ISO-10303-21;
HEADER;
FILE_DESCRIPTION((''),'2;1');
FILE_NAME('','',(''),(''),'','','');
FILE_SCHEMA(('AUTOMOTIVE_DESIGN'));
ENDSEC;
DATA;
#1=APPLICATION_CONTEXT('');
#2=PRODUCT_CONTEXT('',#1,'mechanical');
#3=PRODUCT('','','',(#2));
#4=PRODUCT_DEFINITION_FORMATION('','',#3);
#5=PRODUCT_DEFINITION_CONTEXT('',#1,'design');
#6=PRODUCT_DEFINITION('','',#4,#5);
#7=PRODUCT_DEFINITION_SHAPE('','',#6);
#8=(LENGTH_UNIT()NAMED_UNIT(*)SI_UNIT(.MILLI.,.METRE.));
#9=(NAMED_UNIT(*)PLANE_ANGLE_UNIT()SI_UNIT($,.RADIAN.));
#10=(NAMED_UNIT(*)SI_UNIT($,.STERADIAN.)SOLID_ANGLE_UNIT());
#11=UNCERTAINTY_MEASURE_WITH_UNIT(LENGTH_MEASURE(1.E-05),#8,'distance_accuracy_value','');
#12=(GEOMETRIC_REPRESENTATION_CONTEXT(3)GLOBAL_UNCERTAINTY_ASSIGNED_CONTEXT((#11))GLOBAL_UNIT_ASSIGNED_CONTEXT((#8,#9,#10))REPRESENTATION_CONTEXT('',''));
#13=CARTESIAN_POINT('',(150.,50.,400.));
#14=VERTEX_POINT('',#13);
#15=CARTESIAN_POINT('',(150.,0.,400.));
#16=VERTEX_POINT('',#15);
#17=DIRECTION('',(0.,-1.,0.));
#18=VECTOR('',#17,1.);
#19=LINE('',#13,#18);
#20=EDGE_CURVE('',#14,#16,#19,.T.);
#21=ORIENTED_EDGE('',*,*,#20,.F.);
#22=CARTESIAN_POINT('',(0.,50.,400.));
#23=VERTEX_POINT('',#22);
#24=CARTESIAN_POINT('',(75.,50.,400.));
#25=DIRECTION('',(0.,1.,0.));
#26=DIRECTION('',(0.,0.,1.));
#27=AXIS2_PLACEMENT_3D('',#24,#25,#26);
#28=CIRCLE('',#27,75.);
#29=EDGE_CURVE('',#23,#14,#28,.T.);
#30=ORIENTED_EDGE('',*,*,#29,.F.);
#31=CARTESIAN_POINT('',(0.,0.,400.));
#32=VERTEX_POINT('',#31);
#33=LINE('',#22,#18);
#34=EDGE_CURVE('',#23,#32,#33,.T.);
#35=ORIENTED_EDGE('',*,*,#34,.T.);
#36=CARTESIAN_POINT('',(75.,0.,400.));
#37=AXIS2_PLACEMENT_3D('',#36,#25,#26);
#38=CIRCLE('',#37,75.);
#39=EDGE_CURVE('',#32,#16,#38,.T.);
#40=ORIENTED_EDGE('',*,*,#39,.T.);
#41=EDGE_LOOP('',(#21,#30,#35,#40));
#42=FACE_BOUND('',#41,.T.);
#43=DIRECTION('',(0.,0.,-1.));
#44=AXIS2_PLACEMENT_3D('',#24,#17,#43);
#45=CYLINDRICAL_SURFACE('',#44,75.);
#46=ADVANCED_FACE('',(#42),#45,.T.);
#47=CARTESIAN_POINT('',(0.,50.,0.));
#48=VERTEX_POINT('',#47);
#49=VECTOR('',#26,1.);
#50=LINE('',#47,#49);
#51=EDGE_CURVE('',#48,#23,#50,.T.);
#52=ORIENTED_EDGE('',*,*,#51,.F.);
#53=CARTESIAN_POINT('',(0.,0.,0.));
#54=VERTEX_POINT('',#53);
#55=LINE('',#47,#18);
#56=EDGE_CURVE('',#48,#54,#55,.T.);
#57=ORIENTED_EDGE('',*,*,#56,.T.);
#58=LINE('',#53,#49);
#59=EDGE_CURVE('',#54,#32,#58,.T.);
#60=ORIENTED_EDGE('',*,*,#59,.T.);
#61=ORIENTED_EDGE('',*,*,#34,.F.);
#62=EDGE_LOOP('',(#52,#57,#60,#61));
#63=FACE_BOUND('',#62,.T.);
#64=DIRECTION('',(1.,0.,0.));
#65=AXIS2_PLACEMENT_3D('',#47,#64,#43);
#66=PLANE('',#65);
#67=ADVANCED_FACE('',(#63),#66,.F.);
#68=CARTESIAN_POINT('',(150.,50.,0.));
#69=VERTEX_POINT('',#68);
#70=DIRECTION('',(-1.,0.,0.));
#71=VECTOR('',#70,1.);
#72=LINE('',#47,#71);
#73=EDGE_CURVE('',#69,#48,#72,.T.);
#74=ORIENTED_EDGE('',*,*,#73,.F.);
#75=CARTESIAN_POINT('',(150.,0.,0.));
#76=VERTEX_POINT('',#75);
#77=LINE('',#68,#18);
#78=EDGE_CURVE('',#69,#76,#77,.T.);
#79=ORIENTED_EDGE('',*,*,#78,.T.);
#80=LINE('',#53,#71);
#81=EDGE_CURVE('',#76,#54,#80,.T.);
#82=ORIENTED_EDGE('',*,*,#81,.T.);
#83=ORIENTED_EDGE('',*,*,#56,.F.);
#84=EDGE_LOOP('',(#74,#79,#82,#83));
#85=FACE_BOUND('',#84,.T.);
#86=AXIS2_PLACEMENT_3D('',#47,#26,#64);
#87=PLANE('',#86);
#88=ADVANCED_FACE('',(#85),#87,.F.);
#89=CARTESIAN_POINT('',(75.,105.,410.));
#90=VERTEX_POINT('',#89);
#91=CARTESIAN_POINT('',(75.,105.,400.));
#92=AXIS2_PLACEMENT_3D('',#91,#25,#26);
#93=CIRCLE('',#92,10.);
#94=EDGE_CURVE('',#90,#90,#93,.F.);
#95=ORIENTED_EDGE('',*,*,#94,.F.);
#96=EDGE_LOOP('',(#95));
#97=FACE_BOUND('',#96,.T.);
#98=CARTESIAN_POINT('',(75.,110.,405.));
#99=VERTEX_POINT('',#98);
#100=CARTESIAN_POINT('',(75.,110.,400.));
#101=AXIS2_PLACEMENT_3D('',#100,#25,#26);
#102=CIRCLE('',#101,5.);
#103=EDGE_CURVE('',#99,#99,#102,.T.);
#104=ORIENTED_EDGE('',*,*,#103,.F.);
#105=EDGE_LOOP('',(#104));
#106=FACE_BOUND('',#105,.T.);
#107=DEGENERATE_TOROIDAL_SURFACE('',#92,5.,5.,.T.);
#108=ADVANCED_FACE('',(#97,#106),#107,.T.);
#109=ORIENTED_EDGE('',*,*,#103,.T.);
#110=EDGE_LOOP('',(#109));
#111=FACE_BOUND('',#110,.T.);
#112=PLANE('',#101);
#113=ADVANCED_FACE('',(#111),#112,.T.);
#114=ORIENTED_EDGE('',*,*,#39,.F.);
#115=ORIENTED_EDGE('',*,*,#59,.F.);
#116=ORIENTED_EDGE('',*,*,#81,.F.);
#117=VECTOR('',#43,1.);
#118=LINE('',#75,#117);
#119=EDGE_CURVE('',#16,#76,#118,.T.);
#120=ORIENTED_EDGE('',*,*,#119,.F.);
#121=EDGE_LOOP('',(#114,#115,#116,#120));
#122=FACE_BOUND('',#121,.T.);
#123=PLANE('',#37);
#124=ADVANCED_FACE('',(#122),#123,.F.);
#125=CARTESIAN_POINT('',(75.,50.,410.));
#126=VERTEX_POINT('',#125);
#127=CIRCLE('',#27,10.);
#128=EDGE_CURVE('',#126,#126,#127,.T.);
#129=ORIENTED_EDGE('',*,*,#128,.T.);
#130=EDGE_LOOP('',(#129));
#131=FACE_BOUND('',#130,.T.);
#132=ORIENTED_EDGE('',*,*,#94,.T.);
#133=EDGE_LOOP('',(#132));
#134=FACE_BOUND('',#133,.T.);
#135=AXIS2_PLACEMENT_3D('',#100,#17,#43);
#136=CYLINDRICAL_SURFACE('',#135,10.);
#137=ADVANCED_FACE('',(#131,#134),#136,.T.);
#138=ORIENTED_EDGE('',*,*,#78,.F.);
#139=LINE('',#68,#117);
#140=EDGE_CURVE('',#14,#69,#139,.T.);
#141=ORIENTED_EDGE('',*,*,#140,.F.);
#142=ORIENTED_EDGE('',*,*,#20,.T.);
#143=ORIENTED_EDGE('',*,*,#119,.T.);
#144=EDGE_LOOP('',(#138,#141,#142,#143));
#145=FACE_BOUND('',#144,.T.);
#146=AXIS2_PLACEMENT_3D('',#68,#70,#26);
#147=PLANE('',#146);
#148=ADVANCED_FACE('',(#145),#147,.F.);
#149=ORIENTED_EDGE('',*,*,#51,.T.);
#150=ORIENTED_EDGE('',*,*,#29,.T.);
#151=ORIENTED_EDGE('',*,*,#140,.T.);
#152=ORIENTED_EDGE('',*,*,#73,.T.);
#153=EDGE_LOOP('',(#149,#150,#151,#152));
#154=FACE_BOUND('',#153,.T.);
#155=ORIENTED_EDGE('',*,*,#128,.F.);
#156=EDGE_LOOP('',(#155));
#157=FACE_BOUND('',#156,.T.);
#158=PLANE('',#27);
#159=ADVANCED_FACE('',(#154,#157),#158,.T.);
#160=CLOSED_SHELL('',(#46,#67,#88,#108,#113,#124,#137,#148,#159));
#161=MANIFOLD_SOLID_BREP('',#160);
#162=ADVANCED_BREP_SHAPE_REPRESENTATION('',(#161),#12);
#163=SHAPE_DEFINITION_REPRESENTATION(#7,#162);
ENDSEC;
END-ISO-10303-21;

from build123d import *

# Parameters (mm, degrees)
EXTRUDE_1_DEPTH = 50
SKETCH_2_R      = 10
EXTRUDE_2_DEPTH = 60
FILLET_1_R      = 5


with BuildPart() as part:
    # 草图1 → 凸台-拉伸1 (new body)
    with BuildSketch(Plane(origin=(0, 0, 0), x_dir=(1, 0, 0), z_dir=(0, 1, 0))):
        with BuildLine():
            Line((0, 0), (150, 0))
            Line((150, 0), (150, -400))
            ThreePointArc((150, -400), (75, -475), (0, -400))
            Line((0, -400), (0, 0))
        make_face()
    extrude(amount=EXTRUDE_1_DEPTH)

    # 草图2 → 凸台-拉伸2 (add)
    with BuildSketch(Plane(origin=(0, 50, 0), x_dir=(1, 0, 0), z_dir=(0, 1, 0))):
        with Locations((75, -400)):
            Circle(SKETCH_2_R)
    extrude(amount=EXTRUDE_2_DEPTH)

    # 圆角1
    fillet_1_edges = [part.edges().sort_by_distance(p)[0] for p in [
        (65, 110, 400),
    ]]
    fillet(fillet_1_edges, radius=FILLET_1_R)


solid = part.part
